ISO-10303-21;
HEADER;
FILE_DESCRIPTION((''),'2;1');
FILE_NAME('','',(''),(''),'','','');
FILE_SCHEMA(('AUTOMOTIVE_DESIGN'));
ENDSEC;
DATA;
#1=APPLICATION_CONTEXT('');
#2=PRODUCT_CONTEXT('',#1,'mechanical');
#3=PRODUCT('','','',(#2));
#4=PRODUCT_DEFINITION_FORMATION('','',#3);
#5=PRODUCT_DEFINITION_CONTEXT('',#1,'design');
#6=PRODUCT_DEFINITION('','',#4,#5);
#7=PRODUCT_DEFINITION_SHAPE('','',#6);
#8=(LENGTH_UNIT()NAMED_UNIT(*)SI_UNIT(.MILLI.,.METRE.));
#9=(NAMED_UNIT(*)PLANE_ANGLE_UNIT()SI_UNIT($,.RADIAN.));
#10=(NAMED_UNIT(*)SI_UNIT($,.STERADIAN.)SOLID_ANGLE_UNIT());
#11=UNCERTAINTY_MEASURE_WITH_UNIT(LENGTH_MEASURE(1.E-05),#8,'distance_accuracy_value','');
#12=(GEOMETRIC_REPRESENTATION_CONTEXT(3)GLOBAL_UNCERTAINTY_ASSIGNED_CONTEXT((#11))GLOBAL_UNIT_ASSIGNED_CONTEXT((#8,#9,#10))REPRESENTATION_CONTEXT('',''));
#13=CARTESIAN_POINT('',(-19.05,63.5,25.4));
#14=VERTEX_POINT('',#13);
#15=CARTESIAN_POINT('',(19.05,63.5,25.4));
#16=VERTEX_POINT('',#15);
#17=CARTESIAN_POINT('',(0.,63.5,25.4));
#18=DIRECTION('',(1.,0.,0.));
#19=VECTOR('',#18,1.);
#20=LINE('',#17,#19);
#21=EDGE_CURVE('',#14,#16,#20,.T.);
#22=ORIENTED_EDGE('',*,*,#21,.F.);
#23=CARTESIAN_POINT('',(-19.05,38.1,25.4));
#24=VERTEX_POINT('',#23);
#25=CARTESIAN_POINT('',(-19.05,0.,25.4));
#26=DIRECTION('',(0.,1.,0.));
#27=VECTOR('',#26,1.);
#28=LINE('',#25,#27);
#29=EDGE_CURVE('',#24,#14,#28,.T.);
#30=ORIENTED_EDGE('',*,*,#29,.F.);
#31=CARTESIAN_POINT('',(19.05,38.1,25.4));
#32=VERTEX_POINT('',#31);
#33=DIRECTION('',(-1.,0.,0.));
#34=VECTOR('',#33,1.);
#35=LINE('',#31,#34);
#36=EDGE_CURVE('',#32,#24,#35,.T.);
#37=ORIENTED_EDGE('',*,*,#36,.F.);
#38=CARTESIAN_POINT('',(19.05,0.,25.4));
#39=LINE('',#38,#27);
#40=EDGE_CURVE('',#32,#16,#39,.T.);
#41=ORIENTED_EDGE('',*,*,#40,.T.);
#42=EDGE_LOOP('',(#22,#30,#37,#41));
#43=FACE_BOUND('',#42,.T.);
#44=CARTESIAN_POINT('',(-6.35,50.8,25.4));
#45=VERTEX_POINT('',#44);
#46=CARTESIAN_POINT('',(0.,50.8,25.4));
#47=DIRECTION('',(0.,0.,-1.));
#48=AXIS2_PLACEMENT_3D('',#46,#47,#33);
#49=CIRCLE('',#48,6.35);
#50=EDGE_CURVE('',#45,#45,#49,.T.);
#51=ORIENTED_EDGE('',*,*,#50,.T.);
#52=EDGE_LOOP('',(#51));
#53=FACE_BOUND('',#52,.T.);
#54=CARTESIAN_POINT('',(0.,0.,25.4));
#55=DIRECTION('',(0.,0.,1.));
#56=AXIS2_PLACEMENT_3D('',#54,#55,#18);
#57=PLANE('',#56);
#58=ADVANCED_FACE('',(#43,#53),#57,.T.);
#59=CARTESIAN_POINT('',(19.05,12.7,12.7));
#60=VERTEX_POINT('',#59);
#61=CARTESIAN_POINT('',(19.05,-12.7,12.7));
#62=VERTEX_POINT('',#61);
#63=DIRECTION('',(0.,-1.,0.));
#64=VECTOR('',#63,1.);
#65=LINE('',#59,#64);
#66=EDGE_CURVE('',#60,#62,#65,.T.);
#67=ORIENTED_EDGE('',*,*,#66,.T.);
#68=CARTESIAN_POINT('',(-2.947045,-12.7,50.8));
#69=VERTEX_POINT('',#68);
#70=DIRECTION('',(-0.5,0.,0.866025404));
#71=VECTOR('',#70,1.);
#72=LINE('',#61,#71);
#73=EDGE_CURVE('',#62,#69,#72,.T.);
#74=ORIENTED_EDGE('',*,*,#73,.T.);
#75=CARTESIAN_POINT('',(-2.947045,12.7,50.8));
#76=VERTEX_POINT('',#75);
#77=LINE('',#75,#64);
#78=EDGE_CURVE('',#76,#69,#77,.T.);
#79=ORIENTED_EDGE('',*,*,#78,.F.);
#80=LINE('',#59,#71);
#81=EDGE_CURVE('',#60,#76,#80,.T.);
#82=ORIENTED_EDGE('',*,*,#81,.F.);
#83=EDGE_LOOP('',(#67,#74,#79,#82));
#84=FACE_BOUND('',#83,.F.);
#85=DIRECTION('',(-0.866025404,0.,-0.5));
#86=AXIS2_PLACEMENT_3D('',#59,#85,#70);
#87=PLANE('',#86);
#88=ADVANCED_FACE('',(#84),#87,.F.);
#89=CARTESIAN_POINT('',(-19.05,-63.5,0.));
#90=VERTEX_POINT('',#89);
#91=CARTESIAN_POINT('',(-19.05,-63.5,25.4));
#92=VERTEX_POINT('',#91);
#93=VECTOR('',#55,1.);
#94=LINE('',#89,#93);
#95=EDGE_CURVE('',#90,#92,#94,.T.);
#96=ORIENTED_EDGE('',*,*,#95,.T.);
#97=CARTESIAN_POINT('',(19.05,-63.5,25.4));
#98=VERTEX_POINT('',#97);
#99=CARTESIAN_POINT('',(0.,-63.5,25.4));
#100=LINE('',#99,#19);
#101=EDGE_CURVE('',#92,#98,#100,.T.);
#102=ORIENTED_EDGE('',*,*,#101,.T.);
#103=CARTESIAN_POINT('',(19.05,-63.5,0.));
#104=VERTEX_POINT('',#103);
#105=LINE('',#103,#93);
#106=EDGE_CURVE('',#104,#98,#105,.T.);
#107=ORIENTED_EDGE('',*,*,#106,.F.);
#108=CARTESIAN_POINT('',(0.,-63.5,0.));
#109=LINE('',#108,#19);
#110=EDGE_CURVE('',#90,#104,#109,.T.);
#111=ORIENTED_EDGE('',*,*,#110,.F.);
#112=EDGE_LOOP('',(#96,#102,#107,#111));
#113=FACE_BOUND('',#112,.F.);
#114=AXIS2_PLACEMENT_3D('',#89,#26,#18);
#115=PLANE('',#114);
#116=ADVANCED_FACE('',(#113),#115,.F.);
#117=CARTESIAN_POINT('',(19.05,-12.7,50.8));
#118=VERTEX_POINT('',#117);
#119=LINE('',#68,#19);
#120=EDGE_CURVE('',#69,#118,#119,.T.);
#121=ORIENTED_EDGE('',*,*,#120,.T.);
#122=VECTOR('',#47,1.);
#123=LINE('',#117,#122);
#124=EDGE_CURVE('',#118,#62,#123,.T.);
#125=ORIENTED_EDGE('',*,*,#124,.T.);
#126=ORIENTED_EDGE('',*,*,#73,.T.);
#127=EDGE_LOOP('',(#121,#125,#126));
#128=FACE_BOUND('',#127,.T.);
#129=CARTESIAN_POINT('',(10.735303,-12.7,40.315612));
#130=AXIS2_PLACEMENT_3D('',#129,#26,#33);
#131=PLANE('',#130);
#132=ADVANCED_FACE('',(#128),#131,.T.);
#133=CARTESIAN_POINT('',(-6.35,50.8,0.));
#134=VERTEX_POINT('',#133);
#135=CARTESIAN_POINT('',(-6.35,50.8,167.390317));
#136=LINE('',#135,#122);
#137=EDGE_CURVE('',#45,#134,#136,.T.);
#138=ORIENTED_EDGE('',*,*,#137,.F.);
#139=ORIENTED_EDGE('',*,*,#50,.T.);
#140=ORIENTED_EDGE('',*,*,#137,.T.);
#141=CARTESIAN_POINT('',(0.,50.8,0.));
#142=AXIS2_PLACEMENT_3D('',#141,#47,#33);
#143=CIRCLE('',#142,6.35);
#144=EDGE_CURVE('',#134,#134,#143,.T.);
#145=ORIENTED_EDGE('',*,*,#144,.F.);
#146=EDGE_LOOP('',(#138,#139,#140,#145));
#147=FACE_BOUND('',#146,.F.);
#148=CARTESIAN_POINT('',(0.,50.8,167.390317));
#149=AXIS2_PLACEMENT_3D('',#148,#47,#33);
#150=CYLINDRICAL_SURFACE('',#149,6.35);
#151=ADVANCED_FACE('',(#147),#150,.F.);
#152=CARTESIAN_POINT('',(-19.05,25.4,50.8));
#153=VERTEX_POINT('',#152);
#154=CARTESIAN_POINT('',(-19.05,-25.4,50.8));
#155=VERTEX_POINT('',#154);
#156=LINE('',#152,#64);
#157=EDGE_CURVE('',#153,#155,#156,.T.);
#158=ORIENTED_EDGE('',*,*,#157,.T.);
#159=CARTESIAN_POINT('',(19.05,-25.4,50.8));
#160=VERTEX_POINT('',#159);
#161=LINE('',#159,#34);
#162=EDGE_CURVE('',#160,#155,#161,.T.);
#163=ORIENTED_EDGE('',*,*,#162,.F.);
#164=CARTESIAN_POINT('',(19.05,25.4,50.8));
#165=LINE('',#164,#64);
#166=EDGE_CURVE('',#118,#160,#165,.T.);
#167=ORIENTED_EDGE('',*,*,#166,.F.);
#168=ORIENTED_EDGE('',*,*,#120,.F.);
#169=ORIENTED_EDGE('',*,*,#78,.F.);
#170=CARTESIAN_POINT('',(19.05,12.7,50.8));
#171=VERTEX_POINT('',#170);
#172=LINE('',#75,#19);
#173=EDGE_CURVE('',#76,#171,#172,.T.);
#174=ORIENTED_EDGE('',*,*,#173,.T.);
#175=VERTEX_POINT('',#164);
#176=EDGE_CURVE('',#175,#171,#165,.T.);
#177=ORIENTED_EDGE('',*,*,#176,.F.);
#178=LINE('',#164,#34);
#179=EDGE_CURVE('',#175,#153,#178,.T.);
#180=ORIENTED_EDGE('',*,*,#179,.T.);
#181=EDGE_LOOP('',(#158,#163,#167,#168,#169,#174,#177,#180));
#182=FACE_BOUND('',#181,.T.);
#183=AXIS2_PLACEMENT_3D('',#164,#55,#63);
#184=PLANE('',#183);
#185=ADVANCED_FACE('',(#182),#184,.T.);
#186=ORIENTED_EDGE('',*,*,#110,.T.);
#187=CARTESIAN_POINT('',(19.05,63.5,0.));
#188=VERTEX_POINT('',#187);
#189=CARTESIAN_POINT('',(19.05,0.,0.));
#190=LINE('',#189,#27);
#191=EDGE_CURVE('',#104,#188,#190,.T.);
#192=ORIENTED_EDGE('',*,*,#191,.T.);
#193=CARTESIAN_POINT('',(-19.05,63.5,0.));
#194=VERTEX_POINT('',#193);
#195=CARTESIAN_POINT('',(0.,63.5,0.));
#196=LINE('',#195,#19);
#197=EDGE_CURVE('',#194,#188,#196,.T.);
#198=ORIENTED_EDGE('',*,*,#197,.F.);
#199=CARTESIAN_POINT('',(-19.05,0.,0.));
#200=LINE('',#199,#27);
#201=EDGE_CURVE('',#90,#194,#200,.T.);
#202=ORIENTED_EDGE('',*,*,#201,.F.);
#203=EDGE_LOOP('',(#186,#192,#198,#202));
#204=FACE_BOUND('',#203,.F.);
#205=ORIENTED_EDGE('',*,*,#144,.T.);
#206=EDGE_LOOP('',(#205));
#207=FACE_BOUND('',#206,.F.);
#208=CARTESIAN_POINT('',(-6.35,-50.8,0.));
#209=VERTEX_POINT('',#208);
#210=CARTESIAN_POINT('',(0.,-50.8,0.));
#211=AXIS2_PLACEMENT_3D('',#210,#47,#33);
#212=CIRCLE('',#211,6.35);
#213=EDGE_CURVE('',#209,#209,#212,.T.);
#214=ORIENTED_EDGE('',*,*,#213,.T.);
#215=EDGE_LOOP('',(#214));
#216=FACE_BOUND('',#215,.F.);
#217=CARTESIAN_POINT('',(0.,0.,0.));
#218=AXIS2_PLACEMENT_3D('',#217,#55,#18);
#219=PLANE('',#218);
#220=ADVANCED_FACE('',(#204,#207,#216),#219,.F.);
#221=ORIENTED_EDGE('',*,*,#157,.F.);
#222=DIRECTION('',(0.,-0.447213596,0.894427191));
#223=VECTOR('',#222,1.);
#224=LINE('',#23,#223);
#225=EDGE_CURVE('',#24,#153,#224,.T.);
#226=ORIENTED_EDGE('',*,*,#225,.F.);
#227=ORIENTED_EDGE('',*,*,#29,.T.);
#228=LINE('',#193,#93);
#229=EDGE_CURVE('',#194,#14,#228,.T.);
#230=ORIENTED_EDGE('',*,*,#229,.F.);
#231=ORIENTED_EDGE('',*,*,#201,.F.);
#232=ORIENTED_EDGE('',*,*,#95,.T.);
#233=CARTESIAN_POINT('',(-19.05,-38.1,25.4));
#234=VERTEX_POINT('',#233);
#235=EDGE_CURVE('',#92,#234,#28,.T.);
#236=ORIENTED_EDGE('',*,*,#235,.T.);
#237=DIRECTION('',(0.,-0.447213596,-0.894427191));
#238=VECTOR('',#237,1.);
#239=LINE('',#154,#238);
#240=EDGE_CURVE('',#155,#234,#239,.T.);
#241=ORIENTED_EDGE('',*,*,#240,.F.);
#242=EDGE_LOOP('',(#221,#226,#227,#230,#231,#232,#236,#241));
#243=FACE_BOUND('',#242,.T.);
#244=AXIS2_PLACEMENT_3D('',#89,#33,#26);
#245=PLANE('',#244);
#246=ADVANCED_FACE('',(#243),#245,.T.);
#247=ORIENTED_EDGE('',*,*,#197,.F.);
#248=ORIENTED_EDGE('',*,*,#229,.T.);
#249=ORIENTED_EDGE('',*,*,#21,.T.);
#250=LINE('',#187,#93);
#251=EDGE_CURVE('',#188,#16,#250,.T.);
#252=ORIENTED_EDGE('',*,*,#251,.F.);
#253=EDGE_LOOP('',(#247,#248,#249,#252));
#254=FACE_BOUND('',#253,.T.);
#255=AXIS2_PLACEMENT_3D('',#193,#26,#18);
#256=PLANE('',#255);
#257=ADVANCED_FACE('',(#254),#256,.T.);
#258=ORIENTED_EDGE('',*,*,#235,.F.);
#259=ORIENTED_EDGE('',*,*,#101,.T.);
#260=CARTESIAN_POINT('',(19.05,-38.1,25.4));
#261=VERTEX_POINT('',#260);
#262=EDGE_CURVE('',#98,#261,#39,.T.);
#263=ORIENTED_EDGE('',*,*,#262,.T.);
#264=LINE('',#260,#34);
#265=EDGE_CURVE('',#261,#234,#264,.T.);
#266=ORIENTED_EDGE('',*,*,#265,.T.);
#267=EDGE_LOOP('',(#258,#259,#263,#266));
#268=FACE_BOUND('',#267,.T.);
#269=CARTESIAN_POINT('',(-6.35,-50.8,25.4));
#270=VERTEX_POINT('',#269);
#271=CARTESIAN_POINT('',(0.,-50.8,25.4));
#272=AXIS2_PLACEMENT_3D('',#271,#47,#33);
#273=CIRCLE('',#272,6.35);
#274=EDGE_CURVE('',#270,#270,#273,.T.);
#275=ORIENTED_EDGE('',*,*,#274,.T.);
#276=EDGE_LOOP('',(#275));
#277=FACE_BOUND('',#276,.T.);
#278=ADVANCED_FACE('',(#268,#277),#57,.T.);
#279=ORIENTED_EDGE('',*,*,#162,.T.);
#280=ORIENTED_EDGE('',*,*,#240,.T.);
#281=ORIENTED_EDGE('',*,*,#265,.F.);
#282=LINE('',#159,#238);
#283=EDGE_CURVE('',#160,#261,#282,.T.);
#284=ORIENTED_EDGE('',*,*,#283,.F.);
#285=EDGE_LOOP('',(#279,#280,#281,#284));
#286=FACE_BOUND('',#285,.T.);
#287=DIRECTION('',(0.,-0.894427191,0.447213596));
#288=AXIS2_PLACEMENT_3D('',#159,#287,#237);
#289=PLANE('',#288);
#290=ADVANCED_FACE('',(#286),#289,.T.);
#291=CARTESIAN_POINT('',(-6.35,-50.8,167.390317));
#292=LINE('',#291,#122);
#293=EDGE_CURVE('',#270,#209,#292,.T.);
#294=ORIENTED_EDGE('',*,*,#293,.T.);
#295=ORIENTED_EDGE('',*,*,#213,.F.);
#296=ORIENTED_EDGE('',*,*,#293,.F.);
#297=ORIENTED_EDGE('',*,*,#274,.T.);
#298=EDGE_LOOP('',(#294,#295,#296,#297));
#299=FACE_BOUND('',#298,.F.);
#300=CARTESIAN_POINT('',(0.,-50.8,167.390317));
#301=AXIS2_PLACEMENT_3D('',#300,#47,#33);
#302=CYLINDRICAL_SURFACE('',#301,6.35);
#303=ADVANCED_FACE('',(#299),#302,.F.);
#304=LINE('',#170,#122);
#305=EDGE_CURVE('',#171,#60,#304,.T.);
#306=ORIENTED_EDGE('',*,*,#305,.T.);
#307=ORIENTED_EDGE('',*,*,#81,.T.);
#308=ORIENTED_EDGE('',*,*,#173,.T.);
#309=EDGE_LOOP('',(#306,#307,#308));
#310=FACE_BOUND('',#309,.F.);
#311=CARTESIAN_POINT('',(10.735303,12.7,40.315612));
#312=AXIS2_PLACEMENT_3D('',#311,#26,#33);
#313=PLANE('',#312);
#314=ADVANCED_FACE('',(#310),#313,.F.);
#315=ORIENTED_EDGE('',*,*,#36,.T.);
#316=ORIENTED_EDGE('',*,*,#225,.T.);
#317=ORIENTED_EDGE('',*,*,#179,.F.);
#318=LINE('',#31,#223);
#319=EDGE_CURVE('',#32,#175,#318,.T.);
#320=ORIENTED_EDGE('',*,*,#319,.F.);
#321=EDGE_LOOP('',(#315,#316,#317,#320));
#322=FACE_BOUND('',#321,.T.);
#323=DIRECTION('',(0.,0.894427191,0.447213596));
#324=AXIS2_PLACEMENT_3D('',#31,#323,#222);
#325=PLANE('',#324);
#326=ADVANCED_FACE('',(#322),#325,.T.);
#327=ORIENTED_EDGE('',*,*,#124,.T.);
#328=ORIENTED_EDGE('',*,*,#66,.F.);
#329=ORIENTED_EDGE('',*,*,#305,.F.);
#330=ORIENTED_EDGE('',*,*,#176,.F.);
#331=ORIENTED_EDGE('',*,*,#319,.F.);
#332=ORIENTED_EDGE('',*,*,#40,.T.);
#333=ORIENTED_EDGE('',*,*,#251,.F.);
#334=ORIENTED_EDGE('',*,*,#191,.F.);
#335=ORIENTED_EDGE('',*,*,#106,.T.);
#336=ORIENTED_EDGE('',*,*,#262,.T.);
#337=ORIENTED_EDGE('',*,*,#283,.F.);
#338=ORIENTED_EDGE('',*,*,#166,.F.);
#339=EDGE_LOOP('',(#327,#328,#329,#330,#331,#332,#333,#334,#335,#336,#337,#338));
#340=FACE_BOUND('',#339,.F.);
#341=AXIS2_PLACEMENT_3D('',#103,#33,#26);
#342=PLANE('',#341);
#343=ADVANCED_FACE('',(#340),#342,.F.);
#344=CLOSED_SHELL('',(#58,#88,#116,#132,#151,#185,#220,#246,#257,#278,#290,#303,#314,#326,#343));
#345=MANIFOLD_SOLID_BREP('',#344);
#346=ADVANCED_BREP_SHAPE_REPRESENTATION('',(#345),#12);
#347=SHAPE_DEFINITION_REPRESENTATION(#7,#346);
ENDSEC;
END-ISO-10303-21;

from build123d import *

# Parameters (mm, degrees)
F0_W     = 38.1
F0_H     = 127
F1_DEPTH = 25.4
F3_DEPTH = 38.1
F5_START = -50.8
F5_DEPTH = 25.4
F7_D     = 12.7


with BuildPart() as f1:
    # F0 (on Top) → F1 (new body)
    with BuildSketch(Plane.XY):
        Rectangle(F0_W, F0_H)
    extrude(amount=F1_DEPTH)

    # F2 (on face) → F3 (join, through all)
    with BuildSketch(Plane.YZ.offset(19.05)):
        Polygon((-25.4, 50.8), (-38.1, 25.4), (38.1, 25.4), (25.4, 50.8), align=None)
    extrude(amount=-F3_DEPTH)

    # F4 (on face) → F5 (cut)
    with BuildSketch(Plane(origin=(0, 63.5, 0), x_dir=(-1, 0, 0), z_dir=(0, 1, 0)).offset(F5_START)):
        Polygon((-11.7176515813, 25.4), (2.9470452561, 50.8), (-19.05, 50.8), (-19.05, 25.4), align=None)
        Polygon((-19.05, 12.7), (-11.7176515813, 25.4), (-19.05, 25.4), align=None)
    extrude(amount=-F5_DEPTH, mode=Mode.SUBTRACT)

    # F7 (through all)
    with Locations(Plane.XY.offset(25.4)):
        with Locations((0, -50.8), (0, 50.8)):
            Hole(F7_D / 2)


solid = f1.part
